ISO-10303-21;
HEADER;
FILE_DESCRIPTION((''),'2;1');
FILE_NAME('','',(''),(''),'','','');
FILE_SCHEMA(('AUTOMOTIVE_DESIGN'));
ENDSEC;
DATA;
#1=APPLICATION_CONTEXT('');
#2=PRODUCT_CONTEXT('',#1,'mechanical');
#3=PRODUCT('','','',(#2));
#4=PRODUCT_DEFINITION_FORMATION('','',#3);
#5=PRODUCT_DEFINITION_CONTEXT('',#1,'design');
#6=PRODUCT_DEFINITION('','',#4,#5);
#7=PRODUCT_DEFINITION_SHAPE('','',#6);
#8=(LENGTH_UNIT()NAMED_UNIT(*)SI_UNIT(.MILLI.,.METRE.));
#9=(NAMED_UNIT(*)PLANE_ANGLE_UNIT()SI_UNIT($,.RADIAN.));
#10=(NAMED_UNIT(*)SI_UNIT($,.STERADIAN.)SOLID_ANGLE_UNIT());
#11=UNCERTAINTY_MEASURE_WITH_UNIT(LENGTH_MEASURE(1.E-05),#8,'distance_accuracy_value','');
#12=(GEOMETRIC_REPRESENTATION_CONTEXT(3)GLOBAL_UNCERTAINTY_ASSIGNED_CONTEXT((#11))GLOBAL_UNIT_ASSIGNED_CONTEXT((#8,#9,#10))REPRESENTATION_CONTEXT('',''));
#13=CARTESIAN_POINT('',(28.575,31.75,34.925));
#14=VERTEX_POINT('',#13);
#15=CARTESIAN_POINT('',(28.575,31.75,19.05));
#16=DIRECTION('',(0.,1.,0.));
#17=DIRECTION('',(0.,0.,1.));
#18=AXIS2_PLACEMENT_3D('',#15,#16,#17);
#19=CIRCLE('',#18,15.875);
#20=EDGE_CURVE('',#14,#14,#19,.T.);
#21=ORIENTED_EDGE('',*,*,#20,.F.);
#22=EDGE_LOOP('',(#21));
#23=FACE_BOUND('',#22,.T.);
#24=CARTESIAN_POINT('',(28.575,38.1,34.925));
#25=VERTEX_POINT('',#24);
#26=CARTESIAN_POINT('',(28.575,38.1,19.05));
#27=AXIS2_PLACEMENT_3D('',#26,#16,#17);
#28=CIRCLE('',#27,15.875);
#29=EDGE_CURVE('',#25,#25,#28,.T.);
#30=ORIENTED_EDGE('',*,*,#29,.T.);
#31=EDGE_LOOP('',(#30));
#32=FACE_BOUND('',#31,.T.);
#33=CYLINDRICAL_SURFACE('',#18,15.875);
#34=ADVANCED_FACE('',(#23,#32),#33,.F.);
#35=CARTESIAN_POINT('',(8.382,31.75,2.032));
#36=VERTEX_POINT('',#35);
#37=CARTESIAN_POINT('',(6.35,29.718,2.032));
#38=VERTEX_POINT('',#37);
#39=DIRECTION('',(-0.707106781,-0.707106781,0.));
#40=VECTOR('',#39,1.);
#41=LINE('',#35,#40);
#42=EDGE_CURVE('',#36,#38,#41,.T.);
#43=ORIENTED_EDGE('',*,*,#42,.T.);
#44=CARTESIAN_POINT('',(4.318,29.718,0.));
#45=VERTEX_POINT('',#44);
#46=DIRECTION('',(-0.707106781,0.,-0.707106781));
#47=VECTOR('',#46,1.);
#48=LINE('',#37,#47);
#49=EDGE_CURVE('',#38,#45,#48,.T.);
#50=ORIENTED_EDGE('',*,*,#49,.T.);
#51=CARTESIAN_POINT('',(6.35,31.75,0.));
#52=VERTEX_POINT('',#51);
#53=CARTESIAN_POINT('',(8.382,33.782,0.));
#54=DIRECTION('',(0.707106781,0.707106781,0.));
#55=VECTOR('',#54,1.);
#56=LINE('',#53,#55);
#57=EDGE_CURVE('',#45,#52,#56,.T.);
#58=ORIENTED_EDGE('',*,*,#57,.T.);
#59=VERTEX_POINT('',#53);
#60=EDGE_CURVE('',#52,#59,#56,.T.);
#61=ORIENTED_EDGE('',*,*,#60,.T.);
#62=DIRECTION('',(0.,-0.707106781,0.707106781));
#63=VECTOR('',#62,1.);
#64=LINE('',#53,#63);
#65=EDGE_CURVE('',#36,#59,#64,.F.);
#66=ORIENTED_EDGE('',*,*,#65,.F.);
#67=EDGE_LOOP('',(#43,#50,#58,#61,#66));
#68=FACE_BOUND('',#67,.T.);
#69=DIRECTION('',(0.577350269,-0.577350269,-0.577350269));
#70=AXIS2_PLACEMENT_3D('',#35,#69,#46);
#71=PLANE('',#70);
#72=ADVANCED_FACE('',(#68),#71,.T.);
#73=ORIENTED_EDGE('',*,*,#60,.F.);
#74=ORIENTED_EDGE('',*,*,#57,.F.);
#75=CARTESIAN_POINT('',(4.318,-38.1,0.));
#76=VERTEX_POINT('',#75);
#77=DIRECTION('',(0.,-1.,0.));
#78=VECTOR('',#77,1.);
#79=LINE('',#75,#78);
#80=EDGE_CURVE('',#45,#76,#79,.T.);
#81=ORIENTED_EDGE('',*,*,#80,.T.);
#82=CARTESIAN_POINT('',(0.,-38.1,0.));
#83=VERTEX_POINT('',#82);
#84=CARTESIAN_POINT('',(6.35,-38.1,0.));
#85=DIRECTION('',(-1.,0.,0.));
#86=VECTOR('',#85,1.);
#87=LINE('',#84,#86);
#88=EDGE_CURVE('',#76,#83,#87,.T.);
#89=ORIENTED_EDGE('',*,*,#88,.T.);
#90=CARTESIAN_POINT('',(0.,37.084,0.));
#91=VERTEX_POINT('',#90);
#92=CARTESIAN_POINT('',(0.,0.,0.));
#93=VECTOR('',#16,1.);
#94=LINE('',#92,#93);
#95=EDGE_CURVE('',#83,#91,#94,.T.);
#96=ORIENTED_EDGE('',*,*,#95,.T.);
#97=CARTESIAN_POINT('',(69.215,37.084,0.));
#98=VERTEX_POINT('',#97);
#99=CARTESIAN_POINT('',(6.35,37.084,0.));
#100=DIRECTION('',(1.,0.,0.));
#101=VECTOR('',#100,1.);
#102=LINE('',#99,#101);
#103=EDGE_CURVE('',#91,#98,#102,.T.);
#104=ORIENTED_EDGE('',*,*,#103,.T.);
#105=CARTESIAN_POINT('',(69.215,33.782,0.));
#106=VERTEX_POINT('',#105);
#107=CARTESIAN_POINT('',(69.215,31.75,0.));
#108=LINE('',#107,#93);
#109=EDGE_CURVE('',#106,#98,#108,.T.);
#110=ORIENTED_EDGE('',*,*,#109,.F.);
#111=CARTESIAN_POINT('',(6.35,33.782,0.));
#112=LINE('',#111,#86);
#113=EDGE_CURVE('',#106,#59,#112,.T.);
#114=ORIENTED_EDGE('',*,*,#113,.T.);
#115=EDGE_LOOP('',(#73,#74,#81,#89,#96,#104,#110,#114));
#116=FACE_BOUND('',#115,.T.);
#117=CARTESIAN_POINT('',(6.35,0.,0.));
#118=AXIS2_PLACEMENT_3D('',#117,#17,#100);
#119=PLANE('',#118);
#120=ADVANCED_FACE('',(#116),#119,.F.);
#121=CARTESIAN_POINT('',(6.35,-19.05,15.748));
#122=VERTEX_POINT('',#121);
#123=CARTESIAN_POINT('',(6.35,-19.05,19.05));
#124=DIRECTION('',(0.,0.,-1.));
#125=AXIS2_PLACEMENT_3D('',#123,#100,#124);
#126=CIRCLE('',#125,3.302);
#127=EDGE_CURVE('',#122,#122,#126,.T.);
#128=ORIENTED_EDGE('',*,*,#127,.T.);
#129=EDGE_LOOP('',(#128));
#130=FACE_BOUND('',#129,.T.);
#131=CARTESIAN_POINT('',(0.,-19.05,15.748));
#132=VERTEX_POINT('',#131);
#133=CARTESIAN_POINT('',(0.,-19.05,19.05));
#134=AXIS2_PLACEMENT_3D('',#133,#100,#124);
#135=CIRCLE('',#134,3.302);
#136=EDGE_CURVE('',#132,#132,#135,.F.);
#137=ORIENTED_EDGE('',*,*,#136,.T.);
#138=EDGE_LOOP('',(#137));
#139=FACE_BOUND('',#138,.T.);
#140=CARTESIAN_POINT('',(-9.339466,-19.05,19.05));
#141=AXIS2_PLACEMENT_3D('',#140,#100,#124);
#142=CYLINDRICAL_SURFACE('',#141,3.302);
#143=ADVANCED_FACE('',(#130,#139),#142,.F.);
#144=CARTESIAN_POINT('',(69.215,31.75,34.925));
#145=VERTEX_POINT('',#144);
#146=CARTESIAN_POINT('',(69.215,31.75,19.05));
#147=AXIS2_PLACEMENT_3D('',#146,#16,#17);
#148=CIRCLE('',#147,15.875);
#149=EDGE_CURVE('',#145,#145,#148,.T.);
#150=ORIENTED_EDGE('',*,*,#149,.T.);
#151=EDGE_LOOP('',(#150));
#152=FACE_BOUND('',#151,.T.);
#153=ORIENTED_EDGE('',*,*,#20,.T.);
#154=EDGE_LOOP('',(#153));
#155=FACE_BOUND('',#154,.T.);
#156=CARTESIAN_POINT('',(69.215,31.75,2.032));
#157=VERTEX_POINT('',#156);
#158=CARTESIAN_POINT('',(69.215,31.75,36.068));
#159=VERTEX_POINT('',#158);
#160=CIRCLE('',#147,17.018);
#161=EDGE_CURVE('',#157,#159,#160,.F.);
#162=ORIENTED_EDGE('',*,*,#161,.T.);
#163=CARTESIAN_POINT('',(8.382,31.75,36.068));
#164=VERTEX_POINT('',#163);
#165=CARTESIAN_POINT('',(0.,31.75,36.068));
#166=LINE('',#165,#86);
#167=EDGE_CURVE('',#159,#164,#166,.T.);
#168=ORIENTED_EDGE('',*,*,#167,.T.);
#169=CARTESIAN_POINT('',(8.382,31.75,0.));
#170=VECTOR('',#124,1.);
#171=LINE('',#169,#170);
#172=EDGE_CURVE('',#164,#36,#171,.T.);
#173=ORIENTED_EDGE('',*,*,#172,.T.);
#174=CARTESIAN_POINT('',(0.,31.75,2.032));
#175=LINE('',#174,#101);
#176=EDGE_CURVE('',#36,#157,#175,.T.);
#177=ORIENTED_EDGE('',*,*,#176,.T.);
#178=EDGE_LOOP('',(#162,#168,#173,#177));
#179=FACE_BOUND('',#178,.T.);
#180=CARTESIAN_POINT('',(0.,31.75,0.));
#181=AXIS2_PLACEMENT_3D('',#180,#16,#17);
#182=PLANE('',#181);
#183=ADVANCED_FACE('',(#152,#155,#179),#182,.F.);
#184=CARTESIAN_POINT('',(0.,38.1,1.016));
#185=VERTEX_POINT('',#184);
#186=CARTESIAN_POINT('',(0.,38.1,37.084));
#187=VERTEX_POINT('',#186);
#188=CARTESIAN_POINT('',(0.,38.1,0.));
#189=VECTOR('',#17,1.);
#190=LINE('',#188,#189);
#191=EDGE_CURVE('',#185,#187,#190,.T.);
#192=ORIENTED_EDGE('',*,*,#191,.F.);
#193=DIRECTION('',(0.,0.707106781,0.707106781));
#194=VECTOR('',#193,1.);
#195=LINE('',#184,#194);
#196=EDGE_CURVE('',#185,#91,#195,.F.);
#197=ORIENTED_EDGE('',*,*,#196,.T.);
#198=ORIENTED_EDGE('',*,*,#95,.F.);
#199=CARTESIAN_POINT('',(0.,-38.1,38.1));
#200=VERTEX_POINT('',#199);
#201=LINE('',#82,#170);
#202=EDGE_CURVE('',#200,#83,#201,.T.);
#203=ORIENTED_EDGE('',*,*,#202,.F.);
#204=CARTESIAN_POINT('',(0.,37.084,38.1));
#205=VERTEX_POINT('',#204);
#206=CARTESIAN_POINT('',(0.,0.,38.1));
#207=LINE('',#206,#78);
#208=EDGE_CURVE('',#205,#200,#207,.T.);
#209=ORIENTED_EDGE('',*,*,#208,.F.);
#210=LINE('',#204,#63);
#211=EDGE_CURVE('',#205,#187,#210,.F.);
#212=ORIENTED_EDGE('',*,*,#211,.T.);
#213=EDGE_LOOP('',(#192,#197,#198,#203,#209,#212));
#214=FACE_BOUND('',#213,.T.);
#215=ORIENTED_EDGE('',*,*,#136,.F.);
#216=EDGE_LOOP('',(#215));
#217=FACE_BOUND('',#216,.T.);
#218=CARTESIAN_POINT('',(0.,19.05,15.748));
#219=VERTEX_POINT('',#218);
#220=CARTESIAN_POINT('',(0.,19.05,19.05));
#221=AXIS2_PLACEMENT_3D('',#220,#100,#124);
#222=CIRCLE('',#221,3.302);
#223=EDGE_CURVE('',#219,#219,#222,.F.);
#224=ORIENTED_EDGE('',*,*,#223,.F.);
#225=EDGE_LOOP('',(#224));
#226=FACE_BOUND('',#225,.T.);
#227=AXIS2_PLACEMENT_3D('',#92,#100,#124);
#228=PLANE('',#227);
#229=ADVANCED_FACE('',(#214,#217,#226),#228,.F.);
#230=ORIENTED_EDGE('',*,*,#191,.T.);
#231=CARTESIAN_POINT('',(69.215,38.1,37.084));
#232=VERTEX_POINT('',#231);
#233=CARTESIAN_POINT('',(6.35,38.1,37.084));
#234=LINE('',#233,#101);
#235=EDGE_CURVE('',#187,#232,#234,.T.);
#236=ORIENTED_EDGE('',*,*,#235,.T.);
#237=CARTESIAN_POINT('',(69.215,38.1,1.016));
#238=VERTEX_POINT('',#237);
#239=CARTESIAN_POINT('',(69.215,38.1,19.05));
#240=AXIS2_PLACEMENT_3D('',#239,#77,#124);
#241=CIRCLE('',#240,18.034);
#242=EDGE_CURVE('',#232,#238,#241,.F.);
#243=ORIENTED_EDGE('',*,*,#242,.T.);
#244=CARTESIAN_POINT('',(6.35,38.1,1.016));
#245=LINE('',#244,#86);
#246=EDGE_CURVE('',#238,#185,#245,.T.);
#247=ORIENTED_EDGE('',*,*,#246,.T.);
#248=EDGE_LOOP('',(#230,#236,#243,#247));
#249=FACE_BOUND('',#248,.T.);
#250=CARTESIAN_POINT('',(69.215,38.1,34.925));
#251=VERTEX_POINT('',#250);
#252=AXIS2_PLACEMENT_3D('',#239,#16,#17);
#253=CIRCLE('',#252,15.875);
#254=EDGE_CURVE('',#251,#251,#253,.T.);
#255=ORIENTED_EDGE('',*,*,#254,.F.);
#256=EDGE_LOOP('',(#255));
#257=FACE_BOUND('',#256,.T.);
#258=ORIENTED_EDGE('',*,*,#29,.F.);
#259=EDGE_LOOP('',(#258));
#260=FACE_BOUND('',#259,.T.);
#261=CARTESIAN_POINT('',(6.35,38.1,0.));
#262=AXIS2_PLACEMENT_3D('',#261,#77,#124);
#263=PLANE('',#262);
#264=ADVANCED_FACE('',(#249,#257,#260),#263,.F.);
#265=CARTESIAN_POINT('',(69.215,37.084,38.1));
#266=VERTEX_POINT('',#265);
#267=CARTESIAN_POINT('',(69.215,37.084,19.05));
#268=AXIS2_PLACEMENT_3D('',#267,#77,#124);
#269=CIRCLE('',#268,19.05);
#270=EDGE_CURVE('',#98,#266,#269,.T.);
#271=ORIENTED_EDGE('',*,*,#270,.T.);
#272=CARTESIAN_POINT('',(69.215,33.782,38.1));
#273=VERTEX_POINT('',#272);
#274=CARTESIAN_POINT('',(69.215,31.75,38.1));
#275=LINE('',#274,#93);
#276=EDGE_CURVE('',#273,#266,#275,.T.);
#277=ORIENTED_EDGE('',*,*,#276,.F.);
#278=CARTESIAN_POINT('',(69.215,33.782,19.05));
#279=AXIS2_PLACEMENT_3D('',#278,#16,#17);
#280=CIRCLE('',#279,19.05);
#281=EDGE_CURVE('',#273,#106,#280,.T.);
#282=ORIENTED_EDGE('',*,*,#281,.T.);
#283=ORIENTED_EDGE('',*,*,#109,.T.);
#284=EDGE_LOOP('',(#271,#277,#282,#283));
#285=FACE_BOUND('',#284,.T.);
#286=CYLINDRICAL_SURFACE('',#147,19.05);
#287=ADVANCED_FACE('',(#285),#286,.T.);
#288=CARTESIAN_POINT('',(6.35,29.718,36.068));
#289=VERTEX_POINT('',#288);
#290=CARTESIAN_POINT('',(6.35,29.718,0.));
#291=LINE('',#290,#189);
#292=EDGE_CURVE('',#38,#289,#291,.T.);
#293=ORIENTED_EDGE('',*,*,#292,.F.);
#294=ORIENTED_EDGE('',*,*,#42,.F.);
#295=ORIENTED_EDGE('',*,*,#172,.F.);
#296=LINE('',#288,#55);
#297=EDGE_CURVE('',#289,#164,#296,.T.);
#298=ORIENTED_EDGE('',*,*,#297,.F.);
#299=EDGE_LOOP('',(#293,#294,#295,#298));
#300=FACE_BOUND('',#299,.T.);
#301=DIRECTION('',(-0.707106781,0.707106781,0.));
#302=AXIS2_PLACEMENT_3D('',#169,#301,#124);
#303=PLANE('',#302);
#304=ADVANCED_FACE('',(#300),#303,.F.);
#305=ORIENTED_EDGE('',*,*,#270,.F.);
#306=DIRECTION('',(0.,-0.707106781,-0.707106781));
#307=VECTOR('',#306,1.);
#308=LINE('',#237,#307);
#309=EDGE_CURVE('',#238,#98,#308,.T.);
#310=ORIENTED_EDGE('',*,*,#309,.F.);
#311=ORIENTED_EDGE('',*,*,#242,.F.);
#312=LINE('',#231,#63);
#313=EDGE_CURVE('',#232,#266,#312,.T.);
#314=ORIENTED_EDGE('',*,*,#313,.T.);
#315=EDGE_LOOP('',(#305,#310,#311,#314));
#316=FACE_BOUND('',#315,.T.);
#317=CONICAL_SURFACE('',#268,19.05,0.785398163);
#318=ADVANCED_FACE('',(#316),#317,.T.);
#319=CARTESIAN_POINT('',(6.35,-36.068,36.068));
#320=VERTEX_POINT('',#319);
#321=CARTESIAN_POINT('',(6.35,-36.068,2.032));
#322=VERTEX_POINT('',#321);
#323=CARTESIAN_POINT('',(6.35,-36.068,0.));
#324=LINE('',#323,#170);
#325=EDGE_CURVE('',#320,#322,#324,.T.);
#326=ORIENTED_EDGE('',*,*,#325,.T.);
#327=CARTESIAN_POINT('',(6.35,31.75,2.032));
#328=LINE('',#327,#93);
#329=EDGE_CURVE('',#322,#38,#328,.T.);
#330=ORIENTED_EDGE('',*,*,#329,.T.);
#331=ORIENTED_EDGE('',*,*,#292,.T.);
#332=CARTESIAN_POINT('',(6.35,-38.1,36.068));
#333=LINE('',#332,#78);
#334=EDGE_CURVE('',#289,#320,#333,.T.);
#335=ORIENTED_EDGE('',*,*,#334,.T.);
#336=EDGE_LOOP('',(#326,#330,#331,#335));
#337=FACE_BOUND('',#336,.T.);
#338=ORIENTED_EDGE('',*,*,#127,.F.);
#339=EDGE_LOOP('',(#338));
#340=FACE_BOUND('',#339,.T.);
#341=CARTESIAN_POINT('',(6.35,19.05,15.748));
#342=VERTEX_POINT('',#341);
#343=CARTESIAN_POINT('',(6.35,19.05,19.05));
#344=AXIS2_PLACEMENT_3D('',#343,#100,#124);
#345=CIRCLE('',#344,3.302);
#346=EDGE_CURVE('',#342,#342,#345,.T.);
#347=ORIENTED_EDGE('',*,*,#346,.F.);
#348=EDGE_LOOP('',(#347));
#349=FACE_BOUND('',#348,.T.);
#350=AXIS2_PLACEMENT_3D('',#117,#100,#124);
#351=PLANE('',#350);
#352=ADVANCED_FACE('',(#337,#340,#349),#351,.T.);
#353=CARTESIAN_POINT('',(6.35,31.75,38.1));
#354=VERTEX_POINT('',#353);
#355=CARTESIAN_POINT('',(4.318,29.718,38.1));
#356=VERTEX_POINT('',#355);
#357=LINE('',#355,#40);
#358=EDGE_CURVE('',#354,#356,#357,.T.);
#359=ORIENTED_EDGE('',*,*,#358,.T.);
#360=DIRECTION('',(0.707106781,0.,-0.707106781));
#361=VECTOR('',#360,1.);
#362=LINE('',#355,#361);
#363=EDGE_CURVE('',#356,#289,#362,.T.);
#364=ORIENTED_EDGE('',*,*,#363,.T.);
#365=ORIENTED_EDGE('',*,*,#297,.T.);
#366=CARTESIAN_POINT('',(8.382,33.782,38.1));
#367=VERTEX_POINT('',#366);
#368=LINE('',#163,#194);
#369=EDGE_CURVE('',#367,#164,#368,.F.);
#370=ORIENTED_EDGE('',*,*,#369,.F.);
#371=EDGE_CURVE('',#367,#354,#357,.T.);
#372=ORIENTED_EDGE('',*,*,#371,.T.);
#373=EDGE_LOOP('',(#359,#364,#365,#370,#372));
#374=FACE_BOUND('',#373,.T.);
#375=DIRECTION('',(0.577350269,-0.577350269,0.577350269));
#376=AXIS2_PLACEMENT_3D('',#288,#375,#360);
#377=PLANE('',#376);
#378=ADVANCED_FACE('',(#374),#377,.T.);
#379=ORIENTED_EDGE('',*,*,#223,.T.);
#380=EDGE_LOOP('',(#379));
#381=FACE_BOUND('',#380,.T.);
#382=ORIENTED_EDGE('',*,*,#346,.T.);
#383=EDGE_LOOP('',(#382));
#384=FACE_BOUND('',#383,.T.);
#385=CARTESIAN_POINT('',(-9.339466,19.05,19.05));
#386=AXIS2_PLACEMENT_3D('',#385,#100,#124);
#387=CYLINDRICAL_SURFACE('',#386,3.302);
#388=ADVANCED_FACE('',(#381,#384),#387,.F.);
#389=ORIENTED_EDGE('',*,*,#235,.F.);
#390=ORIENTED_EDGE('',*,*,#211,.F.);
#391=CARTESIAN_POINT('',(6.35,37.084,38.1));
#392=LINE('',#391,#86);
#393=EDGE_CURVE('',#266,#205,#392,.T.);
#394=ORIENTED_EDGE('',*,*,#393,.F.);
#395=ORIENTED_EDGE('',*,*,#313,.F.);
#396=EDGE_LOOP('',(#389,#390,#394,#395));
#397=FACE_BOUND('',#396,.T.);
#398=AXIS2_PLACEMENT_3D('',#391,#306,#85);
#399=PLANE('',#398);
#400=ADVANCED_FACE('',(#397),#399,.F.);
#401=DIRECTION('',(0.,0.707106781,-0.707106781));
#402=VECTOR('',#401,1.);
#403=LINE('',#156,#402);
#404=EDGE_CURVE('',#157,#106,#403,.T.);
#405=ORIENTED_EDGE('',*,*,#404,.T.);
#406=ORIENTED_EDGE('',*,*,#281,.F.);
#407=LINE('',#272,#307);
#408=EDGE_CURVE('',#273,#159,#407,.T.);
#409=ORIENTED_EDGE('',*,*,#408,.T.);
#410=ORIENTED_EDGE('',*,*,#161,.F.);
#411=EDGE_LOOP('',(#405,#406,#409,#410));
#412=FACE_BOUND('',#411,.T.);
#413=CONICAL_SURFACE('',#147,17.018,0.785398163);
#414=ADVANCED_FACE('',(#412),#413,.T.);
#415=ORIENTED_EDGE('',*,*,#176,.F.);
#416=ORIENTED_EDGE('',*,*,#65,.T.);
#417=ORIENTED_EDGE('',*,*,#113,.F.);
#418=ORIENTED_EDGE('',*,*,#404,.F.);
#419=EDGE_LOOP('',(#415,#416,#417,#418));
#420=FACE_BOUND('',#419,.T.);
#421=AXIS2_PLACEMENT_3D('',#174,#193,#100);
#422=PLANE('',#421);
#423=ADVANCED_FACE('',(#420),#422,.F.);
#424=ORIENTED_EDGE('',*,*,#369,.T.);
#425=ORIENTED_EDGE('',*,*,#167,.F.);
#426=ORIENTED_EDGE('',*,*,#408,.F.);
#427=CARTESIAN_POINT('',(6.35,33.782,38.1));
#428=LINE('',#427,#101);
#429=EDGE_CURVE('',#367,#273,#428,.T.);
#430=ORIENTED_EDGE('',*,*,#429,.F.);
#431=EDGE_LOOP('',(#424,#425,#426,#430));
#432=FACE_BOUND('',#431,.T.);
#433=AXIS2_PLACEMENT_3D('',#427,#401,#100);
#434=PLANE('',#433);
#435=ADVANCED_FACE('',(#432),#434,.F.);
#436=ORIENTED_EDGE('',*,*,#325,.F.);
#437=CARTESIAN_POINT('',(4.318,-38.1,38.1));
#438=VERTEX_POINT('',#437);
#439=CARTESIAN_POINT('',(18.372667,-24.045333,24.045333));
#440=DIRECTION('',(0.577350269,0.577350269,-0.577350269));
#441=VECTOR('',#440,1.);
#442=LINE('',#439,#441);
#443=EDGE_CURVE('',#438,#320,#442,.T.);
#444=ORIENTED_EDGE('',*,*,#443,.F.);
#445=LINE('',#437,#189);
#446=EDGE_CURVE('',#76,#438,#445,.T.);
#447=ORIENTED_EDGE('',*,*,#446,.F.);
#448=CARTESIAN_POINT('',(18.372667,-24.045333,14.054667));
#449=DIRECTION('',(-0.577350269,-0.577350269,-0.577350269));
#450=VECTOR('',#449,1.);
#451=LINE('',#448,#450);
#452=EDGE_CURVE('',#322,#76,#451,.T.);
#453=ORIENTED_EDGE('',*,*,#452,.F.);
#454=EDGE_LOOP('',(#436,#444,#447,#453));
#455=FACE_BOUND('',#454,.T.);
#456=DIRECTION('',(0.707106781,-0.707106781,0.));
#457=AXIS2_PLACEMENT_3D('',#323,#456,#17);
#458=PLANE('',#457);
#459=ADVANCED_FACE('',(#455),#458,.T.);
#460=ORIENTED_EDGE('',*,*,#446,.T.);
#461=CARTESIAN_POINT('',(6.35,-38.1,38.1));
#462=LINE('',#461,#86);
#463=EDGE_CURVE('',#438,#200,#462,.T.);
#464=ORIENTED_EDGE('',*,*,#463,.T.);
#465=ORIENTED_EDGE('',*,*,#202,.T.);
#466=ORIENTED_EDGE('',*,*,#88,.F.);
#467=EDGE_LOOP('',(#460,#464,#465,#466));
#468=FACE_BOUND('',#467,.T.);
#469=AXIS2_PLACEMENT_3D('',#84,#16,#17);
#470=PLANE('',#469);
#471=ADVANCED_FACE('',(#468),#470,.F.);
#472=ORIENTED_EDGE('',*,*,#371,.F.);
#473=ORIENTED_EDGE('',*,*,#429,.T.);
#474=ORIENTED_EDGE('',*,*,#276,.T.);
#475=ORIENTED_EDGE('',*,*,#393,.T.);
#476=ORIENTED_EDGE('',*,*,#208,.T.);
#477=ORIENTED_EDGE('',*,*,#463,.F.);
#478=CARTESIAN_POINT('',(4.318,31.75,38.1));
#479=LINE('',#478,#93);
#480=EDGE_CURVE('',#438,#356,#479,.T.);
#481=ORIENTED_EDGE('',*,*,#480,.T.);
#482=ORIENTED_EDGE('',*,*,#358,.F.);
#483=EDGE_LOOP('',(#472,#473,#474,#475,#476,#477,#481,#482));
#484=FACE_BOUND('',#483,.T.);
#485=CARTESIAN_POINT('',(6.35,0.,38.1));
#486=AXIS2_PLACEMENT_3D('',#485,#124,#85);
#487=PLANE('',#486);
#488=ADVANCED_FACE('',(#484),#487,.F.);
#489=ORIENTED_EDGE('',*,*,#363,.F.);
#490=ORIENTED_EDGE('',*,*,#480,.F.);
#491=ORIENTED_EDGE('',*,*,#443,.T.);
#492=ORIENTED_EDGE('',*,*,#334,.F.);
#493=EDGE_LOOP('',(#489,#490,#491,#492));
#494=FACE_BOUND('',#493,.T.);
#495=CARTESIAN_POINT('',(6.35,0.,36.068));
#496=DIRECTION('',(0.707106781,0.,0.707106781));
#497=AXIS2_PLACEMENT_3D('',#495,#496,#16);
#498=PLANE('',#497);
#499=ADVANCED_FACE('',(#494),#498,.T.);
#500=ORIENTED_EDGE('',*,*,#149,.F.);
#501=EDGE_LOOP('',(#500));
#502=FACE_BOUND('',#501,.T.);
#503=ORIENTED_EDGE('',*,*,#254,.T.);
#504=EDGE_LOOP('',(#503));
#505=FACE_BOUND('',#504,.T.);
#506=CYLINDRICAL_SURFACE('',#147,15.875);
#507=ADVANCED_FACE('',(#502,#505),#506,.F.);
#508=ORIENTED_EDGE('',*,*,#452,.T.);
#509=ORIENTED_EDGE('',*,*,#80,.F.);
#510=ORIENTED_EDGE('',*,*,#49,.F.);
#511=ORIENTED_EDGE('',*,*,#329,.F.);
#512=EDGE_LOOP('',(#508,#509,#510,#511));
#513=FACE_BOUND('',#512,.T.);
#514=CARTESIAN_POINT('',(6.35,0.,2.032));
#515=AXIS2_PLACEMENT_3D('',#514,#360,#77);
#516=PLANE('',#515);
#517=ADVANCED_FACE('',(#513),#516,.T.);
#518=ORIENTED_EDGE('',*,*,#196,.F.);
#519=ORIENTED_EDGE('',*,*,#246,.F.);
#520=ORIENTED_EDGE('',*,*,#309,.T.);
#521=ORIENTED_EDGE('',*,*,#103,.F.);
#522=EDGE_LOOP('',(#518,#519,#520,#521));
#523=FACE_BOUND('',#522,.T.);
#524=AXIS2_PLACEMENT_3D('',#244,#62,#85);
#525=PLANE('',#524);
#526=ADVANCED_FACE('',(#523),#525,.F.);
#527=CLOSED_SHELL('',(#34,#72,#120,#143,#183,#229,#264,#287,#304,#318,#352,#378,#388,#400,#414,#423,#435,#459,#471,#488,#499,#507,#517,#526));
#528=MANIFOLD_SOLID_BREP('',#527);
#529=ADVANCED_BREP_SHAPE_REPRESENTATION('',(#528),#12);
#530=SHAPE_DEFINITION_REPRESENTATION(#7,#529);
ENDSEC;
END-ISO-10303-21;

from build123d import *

# Parameters (mm, degrees)
SKETCH1_W           = 38.1
SKETCH1_H           = 38.1
BOSS_EXTRUDE1_DEPTH = 6.35
SKETCH2_R           = 3.302
CUT_EXTRUDE1_DEPTH  = 6.35
SKETCH3_R           = 3.302
CUT_EXTRUDE2_DEPTH  = 6.35
SKETCH4_R           = 15.875
BOSS_EXTRUDE2_DEPTH = 6.35
CHAMFER1_SIZE       = 2.032
CHAMFER2_SIZE       = 1.016


with BuildPart() as part:
    # Sketch1 → Boss-Extrude1 (new body)
    with BuildSketch(Plane(origin=(0, 0, 0), x_dir=(0, 0, -1), z_dir=(1, 0, 0))):
        with Locations((-19.05, 19.05)):
            Rectangle(SKETCH1_W, SKETCH1_H)
        with Locations((-19.05, -19.05)):
            Rectangle(SKETCH1_W, SKETCH1_H)
    extrude(amount=BOSS_EXTRUDE1_DEPTH)

    # Sketch2 → Cut-Extrude1 (cut)
    with BuildSketch(Plane(origin=(6.35, 0, 0), x_dir=(0, 0, -1), z_dir=(1, 0, 0))):
        with Locations((-19.05, -19.05)):
            Circle(SKETCH2_R)
    extrude(amount=-CUT_EXTRUDE1_DEPTH, mode=Mode.SUBTRACT)

    # Sketch3 → Cut-Extrude2 (cut)
    with BuildSketch(Plane(origin=(6.35, 0, 0), x_dir=(0, 0, -1), z_dir=(1, 0, 0))):
        with Locations((-19.05, 19.05)):
            Circle(SKETCH3_R)
    extrude(amount=-CUT_EXTRUDE2_DEPTH, mode=Mode.SUBTRACT)

    # Sketch4 → Boss-Extrude2 (add)
    with BuildSketch(Plane(origin=(0, 38.1, 0), x_dir=(1, 0, 0), z_dir=(0, 1, 0))):
        with BuildLine():
            ThreePointArc((69.215, 0), (88.265, -19.05), (69.215, -38.1))
            Line((69.215, -38.1), (28.575, -38.1))
            Line((28.575, -38.1), (6.35, -38.1))
            Line((6.35, -38.1), (6.35, 0))
            Line((6.35, 0), (28.575, 0))
            Line((28.575, 0), (69.215, 0))
        make_face()
        with Locations((69.215, -19.05)):
            Circle(SKETCH4_R, mode=Mode.SUBTRACT)
        with Locations((28.575, -19.05)):
            Circle(SKETCH4_R, mode=Mode.SUBTRACT)
    extrude(amount=-BOSS_EXTRUDE2_DEPTH)

    # Chamfer1
    chamfer1_edges = [part.edges().sort_by_distance(p)[0] for p in [
        (6.35, -38.1, 19.05),
        (6.35, -3.175, 0),
        (6.35, -3.175, 38.1),
        (37.7825, 31.75, 38.1),
        (88.265, 31.75, 19.05),
        (6.35, 31.75, 19.05),
        (37.7825, 31.75, 0),
    ]]
    chamfer(chamfer1_edges, length=CHAMFER1_SIZE)

    # Chamfer2
    chamfer2_edges = [part.edges().sort_by_distance(p)[0] for p in [
        (34.6075, 38.1, 38.1),
        (88.265, 38.1, 19.05),
        (34.6075, 38.1, 0),
    ]]
    chamfer(chamfer2_edges, length=CHAMFER2_SIZE)


solid = part.part
